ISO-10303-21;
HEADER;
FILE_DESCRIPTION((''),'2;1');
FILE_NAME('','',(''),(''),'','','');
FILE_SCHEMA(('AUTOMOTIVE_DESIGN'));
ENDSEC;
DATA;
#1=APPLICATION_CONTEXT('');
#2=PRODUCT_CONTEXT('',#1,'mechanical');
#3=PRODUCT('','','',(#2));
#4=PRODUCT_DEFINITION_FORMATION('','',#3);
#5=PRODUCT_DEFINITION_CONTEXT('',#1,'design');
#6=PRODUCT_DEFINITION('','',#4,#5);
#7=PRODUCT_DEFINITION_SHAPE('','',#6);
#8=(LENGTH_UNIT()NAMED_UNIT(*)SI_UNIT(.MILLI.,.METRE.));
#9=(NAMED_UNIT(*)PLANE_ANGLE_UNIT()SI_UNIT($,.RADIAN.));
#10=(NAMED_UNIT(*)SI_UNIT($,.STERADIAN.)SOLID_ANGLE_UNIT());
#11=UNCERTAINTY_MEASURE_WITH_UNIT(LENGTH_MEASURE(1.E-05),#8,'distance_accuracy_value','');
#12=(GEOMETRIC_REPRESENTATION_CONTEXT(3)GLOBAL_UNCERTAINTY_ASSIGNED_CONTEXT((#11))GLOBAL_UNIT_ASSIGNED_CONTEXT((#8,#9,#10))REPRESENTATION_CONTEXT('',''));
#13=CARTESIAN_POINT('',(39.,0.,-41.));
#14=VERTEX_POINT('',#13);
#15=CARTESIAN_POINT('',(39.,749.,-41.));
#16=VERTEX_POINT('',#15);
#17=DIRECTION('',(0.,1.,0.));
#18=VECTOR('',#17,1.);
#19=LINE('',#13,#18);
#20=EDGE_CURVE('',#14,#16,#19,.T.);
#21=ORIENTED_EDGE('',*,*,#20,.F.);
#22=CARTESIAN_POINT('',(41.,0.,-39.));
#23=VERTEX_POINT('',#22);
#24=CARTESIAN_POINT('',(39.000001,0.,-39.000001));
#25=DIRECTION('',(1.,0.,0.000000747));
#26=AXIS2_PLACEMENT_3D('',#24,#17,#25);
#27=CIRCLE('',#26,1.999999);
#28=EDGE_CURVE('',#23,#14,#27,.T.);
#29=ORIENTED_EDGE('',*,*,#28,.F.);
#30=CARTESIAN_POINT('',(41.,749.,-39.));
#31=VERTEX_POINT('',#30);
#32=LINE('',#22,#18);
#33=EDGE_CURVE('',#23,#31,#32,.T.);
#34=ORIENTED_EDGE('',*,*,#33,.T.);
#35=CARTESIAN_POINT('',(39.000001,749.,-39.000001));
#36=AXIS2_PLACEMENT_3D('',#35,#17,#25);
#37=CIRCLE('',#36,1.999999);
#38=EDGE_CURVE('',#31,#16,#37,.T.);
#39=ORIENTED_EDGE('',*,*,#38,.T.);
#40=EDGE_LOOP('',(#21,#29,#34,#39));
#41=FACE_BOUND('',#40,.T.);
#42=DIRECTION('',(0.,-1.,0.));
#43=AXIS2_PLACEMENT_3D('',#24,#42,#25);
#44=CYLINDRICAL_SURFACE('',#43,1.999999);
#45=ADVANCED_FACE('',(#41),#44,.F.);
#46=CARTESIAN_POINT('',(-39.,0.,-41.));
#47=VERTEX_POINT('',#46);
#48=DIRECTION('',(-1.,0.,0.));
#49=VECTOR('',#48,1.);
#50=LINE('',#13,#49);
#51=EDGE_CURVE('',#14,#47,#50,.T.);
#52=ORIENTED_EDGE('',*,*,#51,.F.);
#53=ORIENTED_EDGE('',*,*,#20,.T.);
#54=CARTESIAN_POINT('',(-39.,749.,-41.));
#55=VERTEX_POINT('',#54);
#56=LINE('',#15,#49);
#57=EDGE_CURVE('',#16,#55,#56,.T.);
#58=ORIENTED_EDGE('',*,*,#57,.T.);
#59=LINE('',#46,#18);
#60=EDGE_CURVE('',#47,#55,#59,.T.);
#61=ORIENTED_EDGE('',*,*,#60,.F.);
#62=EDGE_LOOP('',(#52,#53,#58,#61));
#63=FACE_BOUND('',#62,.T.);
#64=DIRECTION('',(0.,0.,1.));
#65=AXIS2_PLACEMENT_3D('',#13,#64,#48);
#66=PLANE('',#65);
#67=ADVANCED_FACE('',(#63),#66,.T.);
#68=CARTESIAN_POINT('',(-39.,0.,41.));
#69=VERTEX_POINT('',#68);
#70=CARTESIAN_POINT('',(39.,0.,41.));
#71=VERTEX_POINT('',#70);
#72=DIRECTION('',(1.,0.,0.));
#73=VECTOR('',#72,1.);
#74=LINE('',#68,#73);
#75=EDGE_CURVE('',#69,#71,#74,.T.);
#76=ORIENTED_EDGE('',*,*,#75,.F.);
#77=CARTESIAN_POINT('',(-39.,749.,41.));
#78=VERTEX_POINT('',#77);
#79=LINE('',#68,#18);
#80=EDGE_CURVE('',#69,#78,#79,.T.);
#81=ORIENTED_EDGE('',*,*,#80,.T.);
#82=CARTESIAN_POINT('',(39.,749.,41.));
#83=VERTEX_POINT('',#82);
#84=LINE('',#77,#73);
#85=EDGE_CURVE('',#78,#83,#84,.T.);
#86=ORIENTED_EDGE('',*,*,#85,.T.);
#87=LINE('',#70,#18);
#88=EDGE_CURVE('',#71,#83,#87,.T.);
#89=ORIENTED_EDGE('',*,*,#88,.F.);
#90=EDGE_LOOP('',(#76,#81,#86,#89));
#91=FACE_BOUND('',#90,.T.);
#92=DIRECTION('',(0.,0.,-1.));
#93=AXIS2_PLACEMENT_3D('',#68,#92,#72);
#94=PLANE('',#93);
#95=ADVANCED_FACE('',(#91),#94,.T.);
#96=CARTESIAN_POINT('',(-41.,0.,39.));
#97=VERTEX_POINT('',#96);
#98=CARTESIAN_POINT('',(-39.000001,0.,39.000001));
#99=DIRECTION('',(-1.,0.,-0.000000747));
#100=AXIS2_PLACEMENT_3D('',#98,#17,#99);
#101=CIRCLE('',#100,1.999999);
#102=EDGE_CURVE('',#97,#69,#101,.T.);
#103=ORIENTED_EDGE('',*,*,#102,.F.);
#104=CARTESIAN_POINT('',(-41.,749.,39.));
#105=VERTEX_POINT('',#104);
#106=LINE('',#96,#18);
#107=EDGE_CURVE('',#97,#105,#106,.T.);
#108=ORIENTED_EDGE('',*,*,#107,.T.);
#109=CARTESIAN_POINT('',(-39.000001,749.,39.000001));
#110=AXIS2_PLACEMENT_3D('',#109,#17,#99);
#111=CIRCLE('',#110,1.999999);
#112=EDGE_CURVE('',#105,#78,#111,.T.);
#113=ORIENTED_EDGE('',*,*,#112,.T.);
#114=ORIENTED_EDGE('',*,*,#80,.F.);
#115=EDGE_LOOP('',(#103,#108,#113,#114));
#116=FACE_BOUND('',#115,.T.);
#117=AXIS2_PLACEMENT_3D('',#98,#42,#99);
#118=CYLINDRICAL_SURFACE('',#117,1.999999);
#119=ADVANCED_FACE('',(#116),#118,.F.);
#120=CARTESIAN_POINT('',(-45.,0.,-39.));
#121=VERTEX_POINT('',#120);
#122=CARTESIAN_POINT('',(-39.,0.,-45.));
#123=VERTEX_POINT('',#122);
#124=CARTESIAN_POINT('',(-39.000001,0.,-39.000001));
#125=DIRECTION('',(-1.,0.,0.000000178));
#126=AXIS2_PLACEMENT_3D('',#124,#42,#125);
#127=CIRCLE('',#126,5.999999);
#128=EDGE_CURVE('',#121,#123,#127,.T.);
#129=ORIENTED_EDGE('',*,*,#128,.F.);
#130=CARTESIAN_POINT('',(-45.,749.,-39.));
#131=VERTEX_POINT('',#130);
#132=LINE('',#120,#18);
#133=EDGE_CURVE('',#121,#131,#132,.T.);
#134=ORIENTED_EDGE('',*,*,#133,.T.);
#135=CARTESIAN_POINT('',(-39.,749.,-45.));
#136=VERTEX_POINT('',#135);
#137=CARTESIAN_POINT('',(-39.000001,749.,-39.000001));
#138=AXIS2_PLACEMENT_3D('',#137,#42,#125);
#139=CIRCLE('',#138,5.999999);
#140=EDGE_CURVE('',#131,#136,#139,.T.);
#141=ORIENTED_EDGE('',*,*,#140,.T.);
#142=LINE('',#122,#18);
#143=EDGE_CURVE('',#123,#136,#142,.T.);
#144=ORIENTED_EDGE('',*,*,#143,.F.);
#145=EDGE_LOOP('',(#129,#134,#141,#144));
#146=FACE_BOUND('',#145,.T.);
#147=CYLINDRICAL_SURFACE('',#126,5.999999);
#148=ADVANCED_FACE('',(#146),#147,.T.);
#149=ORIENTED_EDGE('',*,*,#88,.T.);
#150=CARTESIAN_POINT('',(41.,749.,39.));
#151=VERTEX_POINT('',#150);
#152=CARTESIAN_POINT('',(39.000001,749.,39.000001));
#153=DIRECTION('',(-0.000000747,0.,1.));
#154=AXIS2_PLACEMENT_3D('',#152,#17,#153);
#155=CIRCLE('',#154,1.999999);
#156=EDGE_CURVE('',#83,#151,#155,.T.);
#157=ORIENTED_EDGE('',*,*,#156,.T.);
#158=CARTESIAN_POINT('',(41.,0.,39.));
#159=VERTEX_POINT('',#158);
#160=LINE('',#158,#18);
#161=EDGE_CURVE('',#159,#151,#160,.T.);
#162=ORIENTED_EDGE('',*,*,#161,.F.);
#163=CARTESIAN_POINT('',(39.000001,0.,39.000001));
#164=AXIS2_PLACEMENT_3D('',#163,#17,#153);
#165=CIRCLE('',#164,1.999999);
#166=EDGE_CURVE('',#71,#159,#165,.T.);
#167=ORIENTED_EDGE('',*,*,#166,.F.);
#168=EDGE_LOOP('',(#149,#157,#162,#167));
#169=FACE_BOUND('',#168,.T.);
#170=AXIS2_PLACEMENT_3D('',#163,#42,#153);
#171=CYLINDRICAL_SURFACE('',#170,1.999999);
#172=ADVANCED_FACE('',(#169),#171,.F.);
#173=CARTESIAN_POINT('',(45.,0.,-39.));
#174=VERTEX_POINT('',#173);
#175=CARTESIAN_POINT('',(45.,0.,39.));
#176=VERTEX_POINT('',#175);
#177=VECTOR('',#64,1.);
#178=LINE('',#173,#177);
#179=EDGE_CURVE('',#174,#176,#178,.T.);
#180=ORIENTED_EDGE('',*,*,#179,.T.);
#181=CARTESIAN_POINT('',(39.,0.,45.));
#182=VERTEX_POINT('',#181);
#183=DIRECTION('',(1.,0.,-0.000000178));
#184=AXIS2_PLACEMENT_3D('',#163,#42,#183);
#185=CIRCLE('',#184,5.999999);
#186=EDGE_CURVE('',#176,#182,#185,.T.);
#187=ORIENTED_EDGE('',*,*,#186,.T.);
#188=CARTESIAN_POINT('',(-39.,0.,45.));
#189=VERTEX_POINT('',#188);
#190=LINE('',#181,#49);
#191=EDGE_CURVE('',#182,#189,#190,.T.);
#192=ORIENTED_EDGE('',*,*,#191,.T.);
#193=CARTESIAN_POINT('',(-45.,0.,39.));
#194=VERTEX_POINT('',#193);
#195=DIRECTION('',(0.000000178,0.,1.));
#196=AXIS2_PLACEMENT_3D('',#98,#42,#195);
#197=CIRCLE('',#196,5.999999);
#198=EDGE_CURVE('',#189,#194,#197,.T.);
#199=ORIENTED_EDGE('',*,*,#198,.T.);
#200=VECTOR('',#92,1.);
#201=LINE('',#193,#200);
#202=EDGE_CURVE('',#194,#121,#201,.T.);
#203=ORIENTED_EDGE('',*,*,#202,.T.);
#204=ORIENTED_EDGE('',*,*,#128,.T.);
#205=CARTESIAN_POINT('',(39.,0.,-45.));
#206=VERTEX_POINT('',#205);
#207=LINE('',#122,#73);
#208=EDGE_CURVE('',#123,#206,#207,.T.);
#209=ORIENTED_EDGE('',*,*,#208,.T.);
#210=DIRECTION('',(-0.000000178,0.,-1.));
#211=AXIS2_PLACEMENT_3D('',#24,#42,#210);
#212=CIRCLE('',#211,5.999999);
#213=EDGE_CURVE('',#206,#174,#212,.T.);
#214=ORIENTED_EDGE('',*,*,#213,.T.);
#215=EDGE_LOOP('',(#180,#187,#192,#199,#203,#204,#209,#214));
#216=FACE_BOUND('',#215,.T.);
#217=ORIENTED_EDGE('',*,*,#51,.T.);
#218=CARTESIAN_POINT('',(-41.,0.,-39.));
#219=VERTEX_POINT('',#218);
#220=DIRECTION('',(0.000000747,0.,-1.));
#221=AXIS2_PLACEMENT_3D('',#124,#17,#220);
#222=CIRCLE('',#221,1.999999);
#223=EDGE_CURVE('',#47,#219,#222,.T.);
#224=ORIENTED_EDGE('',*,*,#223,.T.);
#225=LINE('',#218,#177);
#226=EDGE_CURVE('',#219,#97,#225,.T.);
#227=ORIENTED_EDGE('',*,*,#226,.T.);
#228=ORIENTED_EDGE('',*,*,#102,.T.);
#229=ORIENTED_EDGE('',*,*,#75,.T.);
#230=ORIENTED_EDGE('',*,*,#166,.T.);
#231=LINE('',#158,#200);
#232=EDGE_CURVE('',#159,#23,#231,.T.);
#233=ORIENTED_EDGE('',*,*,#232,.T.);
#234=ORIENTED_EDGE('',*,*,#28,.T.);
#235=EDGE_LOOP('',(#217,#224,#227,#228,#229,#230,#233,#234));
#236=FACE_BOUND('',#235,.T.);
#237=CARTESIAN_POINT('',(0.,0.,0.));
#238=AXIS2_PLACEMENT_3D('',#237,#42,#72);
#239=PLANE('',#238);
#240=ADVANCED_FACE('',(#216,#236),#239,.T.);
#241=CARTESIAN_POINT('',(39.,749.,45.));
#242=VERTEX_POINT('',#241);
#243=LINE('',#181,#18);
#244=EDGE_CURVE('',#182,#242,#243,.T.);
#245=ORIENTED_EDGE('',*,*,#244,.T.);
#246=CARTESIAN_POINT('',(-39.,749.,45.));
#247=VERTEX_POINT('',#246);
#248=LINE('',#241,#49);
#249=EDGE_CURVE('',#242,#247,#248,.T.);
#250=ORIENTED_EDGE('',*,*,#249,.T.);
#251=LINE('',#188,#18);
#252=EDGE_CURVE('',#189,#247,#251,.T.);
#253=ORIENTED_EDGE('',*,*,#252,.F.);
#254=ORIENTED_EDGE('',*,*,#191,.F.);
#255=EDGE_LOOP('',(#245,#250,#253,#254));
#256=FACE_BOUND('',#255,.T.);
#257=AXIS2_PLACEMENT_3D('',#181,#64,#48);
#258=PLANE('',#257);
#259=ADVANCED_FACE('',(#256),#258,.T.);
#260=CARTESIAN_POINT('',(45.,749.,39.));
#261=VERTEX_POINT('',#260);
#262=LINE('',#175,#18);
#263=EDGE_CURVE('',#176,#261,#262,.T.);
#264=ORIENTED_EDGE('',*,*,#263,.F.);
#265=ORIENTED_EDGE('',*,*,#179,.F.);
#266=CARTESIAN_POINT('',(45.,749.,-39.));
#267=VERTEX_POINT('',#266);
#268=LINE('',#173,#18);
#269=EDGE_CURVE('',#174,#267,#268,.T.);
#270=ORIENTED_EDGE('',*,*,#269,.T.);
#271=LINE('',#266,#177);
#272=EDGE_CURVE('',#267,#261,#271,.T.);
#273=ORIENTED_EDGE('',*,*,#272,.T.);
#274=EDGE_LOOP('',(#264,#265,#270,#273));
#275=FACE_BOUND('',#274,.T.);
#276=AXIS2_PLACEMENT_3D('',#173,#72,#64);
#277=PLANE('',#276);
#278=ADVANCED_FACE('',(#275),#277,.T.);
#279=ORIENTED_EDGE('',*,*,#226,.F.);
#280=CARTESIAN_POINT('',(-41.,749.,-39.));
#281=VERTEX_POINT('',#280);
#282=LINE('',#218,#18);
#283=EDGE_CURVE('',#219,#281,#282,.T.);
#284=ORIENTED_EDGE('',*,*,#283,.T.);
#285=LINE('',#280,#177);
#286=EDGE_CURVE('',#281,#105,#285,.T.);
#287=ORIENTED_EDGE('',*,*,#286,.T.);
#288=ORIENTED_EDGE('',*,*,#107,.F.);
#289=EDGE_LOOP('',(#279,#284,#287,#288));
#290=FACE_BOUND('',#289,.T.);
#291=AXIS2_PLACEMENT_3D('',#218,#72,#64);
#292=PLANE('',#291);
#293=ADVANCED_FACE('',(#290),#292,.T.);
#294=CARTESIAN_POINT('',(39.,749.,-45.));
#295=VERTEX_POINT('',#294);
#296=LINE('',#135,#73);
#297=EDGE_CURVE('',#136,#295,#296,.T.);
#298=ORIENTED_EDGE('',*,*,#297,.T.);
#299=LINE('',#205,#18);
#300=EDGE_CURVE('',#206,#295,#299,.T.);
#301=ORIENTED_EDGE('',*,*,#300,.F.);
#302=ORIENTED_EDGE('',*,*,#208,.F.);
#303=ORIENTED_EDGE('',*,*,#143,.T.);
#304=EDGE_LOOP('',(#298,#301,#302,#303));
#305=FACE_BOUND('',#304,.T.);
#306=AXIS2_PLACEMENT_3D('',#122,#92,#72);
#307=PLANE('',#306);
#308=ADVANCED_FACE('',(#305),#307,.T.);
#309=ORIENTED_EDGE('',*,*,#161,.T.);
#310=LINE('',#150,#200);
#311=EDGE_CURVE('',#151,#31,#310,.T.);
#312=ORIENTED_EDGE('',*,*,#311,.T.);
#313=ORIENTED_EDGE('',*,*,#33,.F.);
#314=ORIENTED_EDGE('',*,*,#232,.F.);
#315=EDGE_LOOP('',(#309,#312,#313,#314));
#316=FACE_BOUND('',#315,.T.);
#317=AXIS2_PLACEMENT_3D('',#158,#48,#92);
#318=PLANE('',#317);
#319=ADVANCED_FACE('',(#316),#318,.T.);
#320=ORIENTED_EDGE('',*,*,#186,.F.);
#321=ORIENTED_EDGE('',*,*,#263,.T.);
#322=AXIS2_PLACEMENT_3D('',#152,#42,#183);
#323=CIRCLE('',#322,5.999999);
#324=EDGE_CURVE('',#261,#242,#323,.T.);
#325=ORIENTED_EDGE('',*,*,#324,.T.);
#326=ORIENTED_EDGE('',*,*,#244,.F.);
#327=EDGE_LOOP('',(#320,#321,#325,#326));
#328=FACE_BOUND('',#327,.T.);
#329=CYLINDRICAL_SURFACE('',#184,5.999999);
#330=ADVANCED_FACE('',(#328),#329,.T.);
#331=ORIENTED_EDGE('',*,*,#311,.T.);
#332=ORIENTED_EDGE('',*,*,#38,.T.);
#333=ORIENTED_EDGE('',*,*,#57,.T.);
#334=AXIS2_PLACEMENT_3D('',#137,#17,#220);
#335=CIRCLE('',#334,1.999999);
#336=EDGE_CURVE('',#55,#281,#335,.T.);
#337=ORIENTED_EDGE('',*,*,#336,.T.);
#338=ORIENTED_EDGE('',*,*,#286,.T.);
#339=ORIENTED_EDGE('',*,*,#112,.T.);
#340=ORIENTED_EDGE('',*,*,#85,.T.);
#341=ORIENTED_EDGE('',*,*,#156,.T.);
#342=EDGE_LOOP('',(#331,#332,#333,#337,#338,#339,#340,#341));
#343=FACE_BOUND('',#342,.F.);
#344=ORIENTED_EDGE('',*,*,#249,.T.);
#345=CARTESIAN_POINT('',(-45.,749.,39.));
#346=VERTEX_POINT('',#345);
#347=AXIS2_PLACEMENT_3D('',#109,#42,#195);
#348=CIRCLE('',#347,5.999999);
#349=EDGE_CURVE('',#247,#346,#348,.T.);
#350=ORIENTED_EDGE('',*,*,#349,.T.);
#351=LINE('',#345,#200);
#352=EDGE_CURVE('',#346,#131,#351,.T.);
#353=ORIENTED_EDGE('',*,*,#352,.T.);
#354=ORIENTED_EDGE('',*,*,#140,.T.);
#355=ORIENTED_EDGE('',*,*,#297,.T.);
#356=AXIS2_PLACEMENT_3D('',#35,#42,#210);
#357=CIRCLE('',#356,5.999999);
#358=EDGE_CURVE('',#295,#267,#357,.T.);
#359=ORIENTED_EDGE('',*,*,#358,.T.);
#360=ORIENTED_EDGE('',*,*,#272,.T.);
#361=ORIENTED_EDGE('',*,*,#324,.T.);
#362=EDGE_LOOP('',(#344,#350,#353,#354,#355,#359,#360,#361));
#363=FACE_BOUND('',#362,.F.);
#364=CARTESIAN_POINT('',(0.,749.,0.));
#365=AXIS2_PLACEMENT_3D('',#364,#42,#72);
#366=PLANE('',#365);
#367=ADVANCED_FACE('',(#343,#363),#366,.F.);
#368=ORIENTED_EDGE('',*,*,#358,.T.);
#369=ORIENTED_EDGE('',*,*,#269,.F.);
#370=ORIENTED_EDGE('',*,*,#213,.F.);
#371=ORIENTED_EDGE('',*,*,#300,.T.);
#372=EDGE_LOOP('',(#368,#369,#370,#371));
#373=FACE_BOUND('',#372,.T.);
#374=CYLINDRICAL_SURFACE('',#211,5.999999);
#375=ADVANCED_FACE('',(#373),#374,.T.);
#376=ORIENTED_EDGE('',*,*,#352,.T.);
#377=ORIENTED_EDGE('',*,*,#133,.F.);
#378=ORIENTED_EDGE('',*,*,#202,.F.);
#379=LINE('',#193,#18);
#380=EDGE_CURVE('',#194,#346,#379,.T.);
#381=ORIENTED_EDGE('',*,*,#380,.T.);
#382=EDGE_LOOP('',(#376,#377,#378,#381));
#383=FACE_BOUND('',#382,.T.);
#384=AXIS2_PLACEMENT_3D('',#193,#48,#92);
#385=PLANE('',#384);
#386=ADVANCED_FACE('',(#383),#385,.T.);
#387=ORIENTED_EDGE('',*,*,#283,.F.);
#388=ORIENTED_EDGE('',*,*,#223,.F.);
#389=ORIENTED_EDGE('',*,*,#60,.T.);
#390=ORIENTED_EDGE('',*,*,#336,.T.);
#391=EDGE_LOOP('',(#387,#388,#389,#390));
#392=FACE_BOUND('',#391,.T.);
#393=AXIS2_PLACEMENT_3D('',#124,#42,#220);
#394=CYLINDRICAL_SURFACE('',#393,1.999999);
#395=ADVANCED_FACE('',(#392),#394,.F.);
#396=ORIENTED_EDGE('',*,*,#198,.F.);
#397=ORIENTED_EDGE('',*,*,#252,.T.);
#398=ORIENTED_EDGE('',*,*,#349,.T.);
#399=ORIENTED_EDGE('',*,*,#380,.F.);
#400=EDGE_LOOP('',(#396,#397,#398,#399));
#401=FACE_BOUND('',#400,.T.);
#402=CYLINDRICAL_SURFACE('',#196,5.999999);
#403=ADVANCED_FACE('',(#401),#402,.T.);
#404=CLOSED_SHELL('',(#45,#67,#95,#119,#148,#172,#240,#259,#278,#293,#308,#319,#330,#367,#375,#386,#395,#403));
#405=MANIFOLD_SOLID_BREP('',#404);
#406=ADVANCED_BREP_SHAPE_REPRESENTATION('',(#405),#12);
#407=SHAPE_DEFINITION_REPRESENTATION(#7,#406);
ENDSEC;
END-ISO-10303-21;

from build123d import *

# Parameters (mm, degrees)
F1_DEPTH = 749


with BuildPart() as f1:
    # F0 (on Front) → F1 (new body)
    with BuildSketch(Plane.XZ):
        with BuildLine():
            ThreePointArc((45, 39), (43.242641, 43.242641), (39, 45))
            Line((39, 45), (-39, 45))
            ThreePointArc((-39, 45), (-43.242641, 43.242641), (-45, 39))
            Line((-45, 39), (-45, -39))
            ThreePointArc((-45, -39), (-43.242641, -43.242641), (-39, -45))
            Line((-39, -45), (39, -45))
            ThreePointArc((39, -45), (43.242641, -43.242641), (45, -39))
            Line((45, -39), (45, 39))
        make_face()
        with BuildLine():
            ThreePointArc((-41, 39), (-40.414214, 40.414214), (-39, 41))
            Line((-39, 41), (39, 41))
            ThreePointArc((39, 41), (40.414214, 40.414214), (41, 39))
            Line((41, 39), (41, -39))
            ThreePointArc((41, -39), (40.414214, -40.414214), (39, -41))
            Line((39, -41), (-39, -41))
            ThreePointArc((-39, -41), (-40.414214, -40.414214), (-41, -39))
            Line((-41, -39), (-41, 39))
        make_face(mode=Mode.SUBTRACT)
    extrude(amount=-F1_DEPTH)


solid = f1.part
